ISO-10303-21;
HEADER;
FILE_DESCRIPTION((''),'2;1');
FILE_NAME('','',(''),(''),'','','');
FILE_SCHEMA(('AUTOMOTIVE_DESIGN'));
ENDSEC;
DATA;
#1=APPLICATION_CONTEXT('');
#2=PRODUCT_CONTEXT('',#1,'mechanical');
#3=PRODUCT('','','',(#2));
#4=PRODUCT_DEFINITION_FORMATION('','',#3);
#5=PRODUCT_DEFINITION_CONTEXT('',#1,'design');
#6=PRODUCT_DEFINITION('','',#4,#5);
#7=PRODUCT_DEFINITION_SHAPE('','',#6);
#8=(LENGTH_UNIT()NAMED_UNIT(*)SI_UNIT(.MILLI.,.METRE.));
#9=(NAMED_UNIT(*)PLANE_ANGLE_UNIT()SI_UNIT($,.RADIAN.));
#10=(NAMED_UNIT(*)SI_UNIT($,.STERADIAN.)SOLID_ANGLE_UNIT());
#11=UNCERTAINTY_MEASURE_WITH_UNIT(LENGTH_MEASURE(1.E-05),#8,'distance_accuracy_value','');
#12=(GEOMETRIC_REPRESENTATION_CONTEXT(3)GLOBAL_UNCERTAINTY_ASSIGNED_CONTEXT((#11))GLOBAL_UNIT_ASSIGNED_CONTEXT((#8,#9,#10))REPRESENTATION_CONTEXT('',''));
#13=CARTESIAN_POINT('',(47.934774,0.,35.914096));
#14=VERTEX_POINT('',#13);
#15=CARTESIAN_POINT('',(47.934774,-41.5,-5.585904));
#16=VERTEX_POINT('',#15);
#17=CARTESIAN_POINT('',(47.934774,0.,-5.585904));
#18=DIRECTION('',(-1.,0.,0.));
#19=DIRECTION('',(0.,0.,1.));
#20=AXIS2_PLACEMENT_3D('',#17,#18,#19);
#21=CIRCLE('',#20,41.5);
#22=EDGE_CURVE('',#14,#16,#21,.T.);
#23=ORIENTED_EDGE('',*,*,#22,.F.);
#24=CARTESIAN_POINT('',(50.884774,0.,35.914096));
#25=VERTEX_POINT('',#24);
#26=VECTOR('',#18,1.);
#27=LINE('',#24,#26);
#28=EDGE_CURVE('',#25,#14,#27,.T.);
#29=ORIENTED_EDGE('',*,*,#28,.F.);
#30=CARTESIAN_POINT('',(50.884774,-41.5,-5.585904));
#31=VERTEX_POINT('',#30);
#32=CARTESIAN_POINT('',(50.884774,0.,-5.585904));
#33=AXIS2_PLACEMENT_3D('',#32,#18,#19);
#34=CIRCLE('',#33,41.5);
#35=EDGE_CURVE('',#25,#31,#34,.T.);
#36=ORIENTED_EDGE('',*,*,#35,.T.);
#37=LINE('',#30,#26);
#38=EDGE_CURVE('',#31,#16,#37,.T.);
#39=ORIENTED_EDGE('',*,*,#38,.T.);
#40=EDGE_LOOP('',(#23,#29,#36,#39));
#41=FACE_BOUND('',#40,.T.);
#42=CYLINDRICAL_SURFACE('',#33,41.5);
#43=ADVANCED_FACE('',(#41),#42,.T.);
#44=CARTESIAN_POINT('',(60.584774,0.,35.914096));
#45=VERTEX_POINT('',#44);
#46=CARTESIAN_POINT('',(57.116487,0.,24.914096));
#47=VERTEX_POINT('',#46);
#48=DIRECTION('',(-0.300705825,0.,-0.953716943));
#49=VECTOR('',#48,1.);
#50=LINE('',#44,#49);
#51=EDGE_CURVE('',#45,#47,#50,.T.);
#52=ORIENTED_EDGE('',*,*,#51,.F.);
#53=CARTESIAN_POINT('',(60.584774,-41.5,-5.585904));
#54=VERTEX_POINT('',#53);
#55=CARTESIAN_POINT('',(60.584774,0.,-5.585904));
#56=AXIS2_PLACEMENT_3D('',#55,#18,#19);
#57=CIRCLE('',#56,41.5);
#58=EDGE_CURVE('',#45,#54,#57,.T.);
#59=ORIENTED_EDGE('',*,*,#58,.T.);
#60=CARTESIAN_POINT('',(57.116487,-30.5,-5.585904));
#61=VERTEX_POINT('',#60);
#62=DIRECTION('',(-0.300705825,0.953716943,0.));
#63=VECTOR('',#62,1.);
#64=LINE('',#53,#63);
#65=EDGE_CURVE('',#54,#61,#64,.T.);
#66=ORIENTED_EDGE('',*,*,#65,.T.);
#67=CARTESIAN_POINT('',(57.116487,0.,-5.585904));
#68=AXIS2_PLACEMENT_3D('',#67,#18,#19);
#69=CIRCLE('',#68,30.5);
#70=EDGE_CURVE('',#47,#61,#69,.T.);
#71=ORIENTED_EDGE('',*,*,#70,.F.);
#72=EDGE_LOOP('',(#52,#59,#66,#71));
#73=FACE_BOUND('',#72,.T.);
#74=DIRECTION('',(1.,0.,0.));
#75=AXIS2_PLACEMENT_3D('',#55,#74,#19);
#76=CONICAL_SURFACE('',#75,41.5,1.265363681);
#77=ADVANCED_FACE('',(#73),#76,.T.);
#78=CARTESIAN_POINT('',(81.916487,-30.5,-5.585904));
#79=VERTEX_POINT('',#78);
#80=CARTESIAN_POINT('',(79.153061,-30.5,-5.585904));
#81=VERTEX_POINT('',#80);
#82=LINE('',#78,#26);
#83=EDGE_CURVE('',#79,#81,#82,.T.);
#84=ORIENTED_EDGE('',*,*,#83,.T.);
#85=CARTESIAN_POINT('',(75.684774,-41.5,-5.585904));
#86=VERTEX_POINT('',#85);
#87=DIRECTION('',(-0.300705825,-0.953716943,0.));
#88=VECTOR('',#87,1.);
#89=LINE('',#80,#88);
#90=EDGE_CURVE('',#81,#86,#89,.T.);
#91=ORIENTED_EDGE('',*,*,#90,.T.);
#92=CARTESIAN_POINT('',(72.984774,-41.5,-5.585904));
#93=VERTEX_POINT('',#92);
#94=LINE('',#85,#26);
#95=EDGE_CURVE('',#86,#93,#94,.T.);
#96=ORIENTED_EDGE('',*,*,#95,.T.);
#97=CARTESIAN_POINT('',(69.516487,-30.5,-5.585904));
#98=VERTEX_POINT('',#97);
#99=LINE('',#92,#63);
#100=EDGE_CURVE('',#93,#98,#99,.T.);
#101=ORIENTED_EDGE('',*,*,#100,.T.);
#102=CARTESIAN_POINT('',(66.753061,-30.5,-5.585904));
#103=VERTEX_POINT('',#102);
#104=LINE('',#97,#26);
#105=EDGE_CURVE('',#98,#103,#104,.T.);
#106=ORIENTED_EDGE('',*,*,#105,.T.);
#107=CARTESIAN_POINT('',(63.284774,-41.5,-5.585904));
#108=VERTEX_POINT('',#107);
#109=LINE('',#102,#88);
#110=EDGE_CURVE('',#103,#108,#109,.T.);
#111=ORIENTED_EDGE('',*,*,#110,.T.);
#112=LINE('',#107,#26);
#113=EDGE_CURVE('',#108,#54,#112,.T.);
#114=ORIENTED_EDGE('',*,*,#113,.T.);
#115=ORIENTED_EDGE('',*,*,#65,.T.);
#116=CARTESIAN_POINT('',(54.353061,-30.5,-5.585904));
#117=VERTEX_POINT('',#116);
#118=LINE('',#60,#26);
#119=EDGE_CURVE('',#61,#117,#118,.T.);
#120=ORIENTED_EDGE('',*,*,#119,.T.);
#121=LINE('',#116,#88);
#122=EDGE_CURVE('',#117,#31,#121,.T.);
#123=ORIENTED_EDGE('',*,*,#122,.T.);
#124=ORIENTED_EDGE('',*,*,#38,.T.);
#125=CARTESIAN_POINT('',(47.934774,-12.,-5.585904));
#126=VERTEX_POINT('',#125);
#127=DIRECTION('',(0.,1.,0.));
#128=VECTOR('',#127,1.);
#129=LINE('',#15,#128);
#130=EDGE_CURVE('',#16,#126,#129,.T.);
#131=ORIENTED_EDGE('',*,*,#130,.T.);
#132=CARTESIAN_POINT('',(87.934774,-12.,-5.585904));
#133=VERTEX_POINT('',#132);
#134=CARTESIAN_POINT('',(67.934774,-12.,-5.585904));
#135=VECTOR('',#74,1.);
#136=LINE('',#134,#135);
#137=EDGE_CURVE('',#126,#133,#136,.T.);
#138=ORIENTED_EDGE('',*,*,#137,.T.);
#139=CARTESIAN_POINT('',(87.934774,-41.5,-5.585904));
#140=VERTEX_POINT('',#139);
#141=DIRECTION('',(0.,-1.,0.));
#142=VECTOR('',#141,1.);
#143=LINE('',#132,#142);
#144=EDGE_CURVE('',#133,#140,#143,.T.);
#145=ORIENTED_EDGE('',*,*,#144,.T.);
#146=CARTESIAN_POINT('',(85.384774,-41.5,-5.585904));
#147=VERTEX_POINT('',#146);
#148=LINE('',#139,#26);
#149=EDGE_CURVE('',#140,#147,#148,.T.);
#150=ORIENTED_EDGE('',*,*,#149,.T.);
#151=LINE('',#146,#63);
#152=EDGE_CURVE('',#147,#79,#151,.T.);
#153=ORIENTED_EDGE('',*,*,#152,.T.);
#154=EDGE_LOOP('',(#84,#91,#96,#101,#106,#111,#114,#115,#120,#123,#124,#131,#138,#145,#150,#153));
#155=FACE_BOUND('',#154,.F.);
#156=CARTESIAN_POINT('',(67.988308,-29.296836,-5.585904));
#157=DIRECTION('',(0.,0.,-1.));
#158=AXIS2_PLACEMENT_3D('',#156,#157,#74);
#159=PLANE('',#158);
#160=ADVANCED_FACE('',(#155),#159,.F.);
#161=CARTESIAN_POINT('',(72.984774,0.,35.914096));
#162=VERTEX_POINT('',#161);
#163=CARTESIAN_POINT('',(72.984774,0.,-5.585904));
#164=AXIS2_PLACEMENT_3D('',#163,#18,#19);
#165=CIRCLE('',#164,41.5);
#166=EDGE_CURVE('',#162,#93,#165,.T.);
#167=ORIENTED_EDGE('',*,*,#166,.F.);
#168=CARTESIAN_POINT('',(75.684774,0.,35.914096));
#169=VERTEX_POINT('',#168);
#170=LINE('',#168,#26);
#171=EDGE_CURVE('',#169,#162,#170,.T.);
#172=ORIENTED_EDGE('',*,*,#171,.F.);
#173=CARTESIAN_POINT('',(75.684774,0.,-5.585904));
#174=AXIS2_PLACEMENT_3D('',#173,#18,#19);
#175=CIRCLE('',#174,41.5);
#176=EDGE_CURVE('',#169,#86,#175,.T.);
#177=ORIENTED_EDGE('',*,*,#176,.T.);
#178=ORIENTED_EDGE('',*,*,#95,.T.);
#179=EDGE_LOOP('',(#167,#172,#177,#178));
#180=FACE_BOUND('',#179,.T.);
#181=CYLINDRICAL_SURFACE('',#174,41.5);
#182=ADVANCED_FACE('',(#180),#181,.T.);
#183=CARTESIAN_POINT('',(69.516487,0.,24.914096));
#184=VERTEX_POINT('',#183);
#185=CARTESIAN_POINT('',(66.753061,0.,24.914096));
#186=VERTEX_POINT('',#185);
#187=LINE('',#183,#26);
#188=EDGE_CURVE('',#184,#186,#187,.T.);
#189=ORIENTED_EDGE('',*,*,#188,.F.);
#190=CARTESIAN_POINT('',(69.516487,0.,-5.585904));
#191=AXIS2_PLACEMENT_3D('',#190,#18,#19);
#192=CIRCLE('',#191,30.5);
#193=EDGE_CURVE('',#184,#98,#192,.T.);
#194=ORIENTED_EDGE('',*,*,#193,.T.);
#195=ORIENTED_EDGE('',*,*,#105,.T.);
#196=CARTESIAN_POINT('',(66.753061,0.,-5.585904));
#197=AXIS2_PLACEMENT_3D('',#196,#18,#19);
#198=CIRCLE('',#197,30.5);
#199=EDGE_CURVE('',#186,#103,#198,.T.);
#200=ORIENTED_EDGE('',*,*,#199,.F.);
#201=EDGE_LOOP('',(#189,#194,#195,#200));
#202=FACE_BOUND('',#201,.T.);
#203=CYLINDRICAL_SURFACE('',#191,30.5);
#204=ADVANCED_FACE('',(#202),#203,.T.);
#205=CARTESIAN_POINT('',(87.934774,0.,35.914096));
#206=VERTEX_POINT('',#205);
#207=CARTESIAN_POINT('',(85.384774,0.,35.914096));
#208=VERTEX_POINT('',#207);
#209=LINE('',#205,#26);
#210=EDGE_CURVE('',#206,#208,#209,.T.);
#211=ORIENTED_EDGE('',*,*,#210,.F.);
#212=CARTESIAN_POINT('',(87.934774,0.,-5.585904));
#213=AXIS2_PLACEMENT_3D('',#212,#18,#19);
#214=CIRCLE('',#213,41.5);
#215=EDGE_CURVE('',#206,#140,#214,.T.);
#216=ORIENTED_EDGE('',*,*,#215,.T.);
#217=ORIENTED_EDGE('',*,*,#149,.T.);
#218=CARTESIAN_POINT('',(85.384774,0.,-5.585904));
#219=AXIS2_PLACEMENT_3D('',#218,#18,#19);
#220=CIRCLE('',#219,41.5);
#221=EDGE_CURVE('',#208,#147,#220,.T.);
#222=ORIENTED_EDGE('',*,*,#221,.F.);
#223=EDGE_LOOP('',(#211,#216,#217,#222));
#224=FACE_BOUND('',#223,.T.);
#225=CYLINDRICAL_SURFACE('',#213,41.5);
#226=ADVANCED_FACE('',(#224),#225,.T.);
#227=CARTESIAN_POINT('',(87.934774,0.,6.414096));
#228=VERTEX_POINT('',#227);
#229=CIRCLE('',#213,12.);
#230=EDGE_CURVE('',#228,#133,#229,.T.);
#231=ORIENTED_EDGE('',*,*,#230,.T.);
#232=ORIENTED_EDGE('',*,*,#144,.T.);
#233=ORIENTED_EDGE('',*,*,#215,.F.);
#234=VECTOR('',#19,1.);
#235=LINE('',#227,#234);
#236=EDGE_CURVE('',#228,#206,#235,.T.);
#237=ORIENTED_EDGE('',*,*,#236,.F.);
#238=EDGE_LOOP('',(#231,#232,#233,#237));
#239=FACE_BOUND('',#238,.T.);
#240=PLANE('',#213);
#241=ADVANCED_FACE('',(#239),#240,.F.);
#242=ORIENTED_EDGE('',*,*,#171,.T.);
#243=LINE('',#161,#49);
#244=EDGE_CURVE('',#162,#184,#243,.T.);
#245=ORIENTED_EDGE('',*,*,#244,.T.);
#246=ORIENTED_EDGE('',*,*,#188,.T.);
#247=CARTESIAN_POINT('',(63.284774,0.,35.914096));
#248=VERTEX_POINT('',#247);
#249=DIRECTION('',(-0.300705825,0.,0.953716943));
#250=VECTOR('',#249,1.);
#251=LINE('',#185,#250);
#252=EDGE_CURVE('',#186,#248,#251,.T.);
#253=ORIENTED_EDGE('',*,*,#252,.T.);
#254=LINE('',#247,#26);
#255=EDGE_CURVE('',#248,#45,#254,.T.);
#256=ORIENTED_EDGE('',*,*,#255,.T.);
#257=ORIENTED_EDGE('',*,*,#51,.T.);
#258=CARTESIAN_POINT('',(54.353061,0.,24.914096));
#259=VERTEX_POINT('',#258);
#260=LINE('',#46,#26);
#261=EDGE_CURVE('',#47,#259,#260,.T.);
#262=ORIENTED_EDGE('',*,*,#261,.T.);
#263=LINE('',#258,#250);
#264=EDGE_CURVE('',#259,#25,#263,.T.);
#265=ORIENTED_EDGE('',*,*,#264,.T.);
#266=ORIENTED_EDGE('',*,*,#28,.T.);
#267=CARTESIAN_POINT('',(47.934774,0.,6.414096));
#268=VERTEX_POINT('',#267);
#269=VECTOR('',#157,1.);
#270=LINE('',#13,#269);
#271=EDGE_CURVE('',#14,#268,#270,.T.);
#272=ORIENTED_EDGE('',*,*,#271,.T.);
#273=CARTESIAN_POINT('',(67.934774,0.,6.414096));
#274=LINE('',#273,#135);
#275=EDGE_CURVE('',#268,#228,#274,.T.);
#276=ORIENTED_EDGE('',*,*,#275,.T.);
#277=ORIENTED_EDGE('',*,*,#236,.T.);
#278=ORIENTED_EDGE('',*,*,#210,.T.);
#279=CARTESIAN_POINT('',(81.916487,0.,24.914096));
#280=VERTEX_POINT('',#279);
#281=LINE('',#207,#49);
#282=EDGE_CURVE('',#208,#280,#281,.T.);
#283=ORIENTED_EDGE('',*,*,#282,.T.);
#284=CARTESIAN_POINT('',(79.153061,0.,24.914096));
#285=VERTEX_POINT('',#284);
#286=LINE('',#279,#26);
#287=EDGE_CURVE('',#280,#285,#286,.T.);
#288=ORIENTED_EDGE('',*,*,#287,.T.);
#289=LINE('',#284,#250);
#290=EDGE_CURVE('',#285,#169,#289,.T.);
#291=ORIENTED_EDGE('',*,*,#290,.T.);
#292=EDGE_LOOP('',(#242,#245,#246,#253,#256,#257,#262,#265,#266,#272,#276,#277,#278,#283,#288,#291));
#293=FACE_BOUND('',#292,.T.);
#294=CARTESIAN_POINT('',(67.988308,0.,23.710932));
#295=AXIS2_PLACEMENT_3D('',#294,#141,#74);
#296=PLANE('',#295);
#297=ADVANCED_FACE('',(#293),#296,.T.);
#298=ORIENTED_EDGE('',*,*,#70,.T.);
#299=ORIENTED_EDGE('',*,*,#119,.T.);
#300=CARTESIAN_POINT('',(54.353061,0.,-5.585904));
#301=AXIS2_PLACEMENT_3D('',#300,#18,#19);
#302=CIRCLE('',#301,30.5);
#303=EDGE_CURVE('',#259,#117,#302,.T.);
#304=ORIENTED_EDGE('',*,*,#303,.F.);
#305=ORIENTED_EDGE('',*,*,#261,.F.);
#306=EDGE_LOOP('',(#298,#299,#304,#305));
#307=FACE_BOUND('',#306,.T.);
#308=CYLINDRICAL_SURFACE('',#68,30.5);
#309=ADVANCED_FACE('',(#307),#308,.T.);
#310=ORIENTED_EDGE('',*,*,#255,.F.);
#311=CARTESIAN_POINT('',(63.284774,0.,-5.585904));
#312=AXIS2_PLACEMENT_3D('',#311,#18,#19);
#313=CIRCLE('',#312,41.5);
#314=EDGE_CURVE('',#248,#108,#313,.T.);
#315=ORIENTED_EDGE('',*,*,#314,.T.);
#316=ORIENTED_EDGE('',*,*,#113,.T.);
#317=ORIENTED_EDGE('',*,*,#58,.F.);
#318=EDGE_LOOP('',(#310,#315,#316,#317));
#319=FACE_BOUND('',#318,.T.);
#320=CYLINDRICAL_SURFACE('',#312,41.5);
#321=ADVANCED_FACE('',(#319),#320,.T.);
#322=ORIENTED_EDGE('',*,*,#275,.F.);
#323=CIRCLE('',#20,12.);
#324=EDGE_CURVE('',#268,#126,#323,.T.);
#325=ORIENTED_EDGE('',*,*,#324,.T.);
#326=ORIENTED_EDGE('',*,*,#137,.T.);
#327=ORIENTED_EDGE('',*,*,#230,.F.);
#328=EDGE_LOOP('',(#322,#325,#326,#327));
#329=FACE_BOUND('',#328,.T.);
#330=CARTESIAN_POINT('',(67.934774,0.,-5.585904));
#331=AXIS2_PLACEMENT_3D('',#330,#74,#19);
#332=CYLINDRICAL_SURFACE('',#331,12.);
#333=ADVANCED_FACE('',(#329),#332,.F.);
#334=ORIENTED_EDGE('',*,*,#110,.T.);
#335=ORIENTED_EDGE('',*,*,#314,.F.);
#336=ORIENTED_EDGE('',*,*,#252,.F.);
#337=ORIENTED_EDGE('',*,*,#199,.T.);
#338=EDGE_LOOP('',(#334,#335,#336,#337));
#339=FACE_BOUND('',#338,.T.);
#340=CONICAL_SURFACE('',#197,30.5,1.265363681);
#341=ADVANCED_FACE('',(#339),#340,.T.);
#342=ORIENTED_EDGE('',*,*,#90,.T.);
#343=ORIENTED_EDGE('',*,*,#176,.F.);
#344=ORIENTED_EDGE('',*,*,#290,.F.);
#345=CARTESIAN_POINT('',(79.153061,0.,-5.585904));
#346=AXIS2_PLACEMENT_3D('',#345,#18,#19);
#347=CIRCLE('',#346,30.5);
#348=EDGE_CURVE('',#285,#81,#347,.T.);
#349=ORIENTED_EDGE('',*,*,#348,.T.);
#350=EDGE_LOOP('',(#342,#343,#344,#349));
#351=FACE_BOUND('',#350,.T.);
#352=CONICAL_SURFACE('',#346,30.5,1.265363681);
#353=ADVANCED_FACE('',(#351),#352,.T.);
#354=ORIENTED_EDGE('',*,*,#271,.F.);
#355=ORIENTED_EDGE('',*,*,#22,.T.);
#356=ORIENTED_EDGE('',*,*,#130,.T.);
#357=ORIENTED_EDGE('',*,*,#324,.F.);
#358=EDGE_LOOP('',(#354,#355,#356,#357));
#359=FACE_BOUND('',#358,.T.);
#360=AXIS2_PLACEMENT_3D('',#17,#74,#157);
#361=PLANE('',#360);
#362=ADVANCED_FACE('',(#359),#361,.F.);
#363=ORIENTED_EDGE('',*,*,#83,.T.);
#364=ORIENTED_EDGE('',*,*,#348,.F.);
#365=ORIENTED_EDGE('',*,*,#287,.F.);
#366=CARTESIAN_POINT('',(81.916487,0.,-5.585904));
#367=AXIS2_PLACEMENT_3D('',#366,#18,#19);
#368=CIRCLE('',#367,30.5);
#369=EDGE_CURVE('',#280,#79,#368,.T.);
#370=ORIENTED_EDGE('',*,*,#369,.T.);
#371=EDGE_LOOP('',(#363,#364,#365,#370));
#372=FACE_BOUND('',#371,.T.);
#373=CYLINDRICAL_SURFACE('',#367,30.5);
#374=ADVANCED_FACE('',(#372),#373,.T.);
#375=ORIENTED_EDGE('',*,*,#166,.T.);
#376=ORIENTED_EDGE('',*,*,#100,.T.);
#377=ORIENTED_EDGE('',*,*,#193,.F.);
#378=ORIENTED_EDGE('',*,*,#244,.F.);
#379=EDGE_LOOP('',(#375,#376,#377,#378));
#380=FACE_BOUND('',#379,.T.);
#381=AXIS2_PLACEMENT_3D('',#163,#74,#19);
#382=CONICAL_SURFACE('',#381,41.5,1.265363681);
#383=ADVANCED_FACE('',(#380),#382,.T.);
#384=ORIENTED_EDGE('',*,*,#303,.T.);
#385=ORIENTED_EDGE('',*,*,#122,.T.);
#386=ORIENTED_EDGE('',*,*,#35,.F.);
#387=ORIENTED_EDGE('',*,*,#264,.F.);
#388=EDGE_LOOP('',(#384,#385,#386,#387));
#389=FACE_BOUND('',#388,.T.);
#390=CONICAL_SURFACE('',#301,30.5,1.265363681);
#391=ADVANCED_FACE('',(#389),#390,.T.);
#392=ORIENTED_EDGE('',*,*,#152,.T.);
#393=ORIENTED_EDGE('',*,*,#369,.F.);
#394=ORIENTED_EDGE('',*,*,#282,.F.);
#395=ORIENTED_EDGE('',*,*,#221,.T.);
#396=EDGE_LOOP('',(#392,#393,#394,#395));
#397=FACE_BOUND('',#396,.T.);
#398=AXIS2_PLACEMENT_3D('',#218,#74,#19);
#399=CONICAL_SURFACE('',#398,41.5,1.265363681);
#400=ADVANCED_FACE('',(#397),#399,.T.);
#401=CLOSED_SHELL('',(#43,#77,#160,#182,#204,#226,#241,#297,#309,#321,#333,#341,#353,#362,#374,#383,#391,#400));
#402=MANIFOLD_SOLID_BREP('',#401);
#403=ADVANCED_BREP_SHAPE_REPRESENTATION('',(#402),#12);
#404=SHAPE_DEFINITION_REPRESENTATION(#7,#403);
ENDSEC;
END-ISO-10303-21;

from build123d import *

# Parameters (mm, degrees)
F0_W     = 40
F0_H     = 3.3
F1_ANGLE = 270


with BuildPart() as f1:
    # F0 (on Front) → F1 (revolve)
    with BuildSketch(Plane.XZ):
        Polygon((63.284774, 35.914096), (60.584774, 35.914096), (57.116487, 24.914096), (54.353061, 24.914096), (50.884774, 35.914096), (47.934774, 35.914096), (47.934774, 9.714096), (87.934774, 9.714096), (87.934774, 35.914096), (85.384774, 35.914096), (81.916487, 24.914096), (79.153061, 24.914096), (75.684774, 35.914096), (72.984774, 35.914096), (69.516487, 24.914096), (66.753061, 24.914096), align=None)
        with Locations((67.934774, 8.064096)):
            Rectangle(F0_W, F0_H)
    revolve(axis=Axis((67.934774, 0, -5.585904), (-1, 0, 0)), revolution_arc=F1_ANGLE)


solid = f1.part
